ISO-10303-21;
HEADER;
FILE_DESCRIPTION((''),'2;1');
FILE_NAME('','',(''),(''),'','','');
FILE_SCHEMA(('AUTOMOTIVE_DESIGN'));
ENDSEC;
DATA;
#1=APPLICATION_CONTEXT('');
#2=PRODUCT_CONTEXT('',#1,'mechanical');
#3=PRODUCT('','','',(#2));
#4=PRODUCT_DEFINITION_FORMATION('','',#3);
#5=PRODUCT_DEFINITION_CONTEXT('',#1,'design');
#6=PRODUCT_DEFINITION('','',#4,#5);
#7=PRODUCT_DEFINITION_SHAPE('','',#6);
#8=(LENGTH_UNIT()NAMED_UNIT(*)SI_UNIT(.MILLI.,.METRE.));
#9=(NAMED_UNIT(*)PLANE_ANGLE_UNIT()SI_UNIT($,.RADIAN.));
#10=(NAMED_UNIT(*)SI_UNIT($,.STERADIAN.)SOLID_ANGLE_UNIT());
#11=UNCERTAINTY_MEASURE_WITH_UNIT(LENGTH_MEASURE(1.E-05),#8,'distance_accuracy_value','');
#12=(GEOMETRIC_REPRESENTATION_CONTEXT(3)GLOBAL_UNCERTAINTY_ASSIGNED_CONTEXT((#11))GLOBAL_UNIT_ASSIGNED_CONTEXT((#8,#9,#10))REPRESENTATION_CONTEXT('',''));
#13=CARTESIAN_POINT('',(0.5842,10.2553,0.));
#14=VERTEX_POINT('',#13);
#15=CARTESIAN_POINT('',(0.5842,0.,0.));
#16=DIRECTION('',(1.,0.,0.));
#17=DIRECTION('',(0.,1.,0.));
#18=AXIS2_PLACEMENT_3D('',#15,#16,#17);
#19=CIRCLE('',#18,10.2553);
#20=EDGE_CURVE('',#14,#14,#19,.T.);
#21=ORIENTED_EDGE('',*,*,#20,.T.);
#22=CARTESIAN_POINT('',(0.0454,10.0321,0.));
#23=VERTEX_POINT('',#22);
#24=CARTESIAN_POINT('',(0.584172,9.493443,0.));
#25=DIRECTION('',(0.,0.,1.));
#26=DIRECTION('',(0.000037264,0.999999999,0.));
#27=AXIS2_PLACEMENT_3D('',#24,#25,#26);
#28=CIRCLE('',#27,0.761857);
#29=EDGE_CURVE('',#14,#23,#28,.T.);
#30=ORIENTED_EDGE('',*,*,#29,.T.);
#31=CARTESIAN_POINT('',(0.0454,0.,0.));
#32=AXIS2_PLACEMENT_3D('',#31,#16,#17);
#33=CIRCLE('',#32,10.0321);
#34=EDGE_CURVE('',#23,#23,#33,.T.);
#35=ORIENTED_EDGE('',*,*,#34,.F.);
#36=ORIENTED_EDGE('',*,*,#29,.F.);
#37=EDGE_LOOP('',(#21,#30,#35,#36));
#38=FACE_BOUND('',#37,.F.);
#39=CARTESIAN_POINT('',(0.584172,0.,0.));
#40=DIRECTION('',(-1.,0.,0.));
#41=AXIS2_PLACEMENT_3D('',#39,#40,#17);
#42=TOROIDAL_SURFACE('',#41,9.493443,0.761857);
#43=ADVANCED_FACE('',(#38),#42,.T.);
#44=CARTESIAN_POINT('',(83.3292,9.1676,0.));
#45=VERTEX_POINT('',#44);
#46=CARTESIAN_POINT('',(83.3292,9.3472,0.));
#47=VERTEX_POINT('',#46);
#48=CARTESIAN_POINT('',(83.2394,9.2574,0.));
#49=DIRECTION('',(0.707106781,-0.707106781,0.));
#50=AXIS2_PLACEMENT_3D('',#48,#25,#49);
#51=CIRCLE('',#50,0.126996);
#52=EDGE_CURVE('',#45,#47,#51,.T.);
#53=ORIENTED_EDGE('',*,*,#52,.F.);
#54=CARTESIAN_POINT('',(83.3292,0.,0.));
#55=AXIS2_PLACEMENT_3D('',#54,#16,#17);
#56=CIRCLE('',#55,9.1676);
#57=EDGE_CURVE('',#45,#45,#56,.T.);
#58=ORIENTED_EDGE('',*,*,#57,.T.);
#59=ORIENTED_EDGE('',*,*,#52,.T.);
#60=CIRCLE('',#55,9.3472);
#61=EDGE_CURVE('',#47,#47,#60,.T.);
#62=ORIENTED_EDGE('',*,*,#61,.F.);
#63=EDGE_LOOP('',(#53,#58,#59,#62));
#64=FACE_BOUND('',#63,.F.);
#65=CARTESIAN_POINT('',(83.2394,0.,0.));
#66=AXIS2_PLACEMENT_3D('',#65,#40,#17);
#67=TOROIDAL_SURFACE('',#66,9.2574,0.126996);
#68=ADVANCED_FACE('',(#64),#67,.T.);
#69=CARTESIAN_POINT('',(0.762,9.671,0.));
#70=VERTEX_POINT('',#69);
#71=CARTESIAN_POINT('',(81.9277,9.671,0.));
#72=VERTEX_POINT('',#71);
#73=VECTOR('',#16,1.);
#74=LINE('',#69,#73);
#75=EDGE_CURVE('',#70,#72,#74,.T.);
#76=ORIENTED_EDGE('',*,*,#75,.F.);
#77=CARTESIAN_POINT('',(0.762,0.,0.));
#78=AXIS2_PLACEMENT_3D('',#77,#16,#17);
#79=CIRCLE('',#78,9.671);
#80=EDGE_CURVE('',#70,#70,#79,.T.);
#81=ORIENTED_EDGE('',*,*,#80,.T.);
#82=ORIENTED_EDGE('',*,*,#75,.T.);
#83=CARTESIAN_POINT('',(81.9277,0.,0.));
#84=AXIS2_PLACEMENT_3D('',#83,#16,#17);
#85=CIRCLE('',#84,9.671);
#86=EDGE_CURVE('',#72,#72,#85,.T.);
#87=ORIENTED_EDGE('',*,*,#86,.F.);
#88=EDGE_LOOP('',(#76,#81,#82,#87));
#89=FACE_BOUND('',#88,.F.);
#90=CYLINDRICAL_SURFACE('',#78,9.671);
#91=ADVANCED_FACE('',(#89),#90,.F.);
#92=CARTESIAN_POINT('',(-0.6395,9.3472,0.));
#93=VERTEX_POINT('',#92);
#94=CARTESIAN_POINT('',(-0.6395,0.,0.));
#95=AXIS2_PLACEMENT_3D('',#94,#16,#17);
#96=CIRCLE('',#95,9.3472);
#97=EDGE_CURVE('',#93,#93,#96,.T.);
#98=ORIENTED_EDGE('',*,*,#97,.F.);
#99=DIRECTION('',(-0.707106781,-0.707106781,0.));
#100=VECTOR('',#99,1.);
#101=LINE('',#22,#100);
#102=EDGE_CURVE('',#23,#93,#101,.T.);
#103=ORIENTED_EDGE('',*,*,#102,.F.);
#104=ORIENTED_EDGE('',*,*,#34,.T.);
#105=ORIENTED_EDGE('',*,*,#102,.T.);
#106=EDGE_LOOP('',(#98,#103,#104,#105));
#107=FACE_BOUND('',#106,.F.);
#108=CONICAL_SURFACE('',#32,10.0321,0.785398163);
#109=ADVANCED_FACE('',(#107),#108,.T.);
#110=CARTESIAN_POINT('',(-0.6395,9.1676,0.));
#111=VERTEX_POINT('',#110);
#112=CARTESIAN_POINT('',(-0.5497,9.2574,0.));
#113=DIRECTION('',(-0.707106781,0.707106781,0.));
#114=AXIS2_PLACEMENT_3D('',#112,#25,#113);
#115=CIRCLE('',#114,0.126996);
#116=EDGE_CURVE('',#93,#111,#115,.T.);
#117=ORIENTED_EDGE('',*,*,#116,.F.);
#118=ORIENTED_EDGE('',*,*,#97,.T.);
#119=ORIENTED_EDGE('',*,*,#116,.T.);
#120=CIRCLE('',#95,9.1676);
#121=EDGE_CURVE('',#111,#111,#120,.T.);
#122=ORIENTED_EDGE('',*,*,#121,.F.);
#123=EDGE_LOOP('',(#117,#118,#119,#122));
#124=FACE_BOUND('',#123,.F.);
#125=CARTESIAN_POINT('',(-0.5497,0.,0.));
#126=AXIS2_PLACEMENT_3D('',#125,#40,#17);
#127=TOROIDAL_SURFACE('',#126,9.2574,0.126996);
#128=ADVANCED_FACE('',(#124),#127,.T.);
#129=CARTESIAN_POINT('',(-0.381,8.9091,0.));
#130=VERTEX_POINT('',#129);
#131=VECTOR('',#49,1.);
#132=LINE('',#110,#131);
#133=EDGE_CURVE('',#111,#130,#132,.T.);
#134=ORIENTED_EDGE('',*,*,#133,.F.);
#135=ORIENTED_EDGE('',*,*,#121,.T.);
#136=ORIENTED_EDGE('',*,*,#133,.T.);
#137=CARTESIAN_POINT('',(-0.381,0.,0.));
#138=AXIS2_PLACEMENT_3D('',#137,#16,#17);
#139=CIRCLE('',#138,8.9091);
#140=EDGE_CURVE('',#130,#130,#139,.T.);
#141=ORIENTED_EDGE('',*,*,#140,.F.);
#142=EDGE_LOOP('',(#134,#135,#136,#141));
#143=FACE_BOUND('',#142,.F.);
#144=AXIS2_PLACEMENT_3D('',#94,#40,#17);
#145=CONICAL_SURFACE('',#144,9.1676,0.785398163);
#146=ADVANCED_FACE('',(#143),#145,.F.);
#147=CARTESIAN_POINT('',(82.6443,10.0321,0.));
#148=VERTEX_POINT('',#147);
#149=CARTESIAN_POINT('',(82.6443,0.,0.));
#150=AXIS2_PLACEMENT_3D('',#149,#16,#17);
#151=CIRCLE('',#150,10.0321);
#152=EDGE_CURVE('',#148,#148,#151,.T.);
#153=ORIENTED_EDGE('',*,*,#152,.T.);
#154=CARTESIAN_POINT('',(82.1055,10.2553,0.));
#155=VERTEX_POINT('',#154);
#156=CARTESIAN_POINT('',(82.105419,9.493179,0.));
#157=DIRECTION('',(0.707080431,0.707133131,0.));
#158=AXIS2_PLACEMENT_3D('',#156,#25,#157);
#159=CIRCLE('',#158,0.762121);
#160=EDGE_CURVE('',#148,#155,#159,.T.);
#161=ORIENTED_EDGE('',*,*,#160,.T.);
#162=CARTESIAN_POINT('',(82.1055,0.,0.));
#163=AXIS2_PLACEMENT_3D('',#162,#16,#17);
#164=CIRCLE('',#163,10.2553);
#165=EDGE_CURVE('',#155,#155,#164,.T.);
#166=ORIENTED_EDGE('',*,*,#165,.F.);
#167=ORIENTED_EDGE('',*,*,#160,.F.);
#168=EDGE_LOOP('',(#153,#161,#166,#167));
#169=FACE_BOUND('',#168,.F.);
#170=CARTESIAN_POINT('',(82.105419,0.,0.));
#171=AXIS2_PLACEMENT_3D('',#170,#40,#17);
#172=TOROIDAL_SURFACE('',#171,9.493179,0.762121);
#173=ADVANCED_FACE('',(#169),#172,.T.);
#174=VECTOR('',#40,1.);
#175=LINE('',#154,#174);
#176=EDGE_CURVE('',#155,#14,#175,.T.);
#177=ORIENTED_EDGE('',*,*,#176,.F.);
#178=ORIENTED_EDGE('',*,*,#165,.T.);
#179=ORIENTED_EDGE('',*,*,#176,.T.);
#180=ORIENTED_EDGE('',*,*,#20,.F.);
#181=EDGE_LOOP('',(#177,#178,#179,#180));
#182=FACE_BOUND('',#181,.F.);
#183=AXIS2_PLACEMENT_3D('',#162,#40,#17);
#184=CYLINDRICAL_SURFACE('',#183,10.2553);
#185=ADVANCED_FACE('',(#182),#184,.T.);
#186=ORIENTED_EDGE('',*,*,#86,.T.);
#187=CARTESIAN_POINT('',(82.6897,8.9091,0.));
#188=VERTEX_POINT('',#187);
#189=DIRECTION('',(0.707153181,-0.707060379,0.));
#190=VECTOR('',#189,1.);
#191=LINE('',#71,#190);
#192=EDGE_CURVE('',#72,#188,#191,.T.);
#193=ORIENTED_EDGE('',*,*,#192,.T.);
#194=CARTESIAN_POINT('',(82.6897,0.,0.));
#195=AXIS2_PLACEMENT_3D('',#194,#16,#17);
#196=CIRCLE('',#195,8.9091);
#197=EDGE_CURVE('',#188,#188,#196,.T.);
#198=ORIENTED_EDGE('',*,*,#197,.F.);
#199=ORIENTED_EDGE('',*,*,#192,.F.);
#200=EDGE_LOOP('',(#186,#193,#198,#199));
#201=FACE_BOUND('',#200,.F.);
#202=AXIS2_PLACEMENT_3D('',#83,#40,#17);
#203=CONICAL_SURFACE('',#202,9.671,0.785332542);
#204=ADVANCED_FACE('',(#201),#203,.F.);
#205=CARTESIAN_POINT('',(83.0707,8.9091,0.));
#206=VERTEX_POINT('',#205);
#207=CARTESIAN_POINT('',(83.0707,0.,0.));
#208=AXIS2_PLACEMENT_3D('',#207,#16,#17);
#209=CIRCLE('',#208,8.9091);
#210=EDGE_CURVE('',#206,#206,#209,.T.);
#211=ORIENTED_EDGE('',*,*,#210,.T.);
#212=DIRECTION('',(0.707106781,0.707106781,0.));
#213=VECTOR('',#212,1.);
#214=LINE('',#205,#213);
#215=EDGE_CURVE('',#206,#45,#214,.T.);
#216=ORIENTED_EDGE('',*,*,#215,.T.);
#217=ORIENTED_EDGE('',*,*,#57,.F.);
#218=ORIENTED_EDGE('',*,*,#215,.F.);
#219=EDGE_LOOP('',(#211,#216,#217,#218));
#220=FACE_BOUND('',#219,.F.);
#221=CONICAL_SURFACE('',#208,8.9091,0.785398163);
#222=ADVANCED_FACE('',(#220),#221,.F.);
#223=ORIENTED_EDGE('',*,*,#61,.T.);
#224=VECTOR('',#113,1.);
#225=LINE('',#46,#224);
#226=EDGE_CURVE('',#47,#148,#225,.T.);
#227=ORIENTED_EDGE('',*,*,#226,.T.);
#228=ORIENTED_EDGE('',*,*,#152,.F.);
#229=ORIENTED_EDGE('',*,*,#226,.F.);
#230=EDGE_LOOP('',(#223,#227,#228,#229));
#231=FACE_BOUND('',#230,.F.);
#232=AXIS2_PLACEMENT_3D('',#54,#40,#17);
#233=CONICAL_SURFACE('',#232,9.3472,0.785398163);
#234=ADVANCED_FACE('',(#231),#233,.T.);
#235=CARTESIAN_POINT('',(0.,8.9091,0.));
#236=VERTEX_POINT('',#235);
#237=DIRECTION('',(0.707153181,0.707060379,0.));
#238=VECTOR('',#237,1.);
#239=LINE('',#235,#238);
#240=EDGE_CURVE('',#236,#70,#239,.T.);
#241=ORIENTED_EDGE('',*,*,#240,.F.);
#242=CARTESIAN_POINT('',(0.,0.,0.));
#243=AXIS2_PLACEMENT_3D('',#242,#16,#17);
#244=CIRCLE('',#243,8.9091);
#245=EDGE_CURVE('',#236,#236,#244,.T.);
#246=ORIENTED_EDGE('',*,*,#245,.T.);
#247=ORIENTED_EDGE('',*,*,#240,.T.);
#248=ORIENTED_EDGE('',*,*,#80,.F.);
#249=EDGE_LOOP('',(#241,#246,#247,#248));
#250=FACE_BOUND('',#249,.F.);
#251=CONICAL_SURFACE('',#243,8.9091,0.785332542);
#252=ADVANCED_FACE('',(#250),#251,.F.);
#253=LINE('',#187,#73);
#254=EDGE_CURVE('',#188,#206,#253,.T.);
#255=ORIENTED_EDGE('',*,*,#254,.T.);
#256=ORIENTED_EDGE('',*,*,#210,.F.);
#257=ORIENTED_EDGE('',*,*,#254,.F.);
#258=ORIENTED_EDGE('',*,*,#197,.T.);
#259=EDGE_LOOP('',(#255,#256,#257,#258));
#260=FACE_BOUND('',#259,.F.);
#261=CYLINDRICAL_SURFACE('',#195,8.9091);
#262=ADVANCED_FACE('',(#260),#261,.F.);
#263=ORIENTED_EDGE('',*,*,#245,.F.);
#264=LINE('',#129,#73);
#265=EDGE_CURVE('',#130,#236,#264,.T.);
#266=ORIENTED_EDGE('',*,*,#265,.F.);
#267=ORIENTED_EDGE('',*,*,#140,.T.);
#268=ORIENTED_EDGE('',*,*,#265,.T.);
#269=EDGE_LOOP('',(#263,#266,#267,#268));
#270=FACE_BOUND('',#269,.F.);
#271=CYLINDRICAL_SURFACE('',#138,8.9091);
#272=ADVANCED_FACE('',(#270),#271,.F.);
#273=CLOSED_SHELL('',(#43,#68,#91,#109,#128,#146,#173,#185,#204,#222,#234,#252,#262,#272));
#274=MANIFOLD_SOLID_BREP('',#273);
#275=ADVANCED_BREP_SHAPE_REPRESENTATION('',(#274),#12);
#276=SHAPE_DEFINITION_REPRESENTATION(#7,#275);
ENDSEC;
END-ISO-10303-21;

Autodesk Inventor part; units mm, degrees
sketch "Sketch_1" plane through (0, 0, 0) normal (0, 0, 1) x (1, 0, 0)
  line L0 (82.6897, 0) -> (0, 0)
  arc A0 (-0.6395, 9.3472) -> (-0.6395, 9.1676) centre (-0.5497, 9.2574) ccw
  line L1 (-0.6395, 9.1676) -> (-0.381, 8.9091)
  line L2 (-0.381, 8.9091) -> (0, 8.9091)
  line L3 (0, 8.9091) -> (0.762, 9.671)
  line L4 (0.762, 9.671) -> (81.9277, 9.671)
  line L5 (81.9277, 9.671) -> (82.6897, 8.9091)
  line L6 (82.6897, 8.9091) -> (83.0707, 8.9091)
  line L7 (83.0707, 8.9091) -> (83.3292, 9.1676)
  arc A1 (83.3292, 9.1676) -> (83.3292, 9.3472) centre (83.2394, 9.2574) ccw
  line L8 (83.3292, 9.3472) -> (82.6443, 10.0321)
  arc A2 (82.6443, 10.0321) -> (82.1055, 10.2553) centre (82.1055, 9.4933) ccw
  line L9 (82.1055, 10.2553) -> (0.5842, 10.2553)
  arc A3 (0.5842, 10.2553) -> (0.0454, 10.0321) centre (0.5842, 9.4933) ccw
  line L10 (0.0454, 10.0321) -> (-0.6395, 9.3472)
revolve "Revolution1" add sketch "Sketch_1" angle 360 about axis through (82.6897, 0, 0) along (1, 0, 0)
ref_plane "cp1_XY" through (41.3448, 0, 10.2553) normal (1, 0, 0) x (0, 0, -1)
ref_plane "cp1_YZ" through (41.3448, 0, 10.2553) normal (0, 0, -1) x (0, 1, 0)
ref_plane "cp1_ZX" through (41.3448, 0, 10.2553) normal (0, 1, 0) x (1, 0, 0)
ref_plane "cp2_XY" through (41.3448, 10.2553, 0) normal (1, 0, 0) x (0, 0, -1)
ref_plane "cp2_YZ" through (41.3448, 10.2553, 0) normal (0, 0, -1) x (0, 1, 0)
ref_plane "cp2_ZX" through (41.3448, 10.2553, 0) normal (0, 1, 0) x (1, 0, 0)
ref_plane "cp3_XY" through (41.3448, 0, -10.2553) normal (1, 0, 0) x (0, 0, -1)
ref_plane "cp3_YZ" through (41.3448, 0, -10.2553) normal (0, 0, -1) x (0, 1, 0)
ref_plane "cp3_ZX" through (41.3448, 0, -10.2553) normal (0, 1, 0) x (1, 0, 0)
ref_plane "cp4_XY" through (41.3448, -10.2553, 0) normal (1, 0, 0) x (0, 0, -1)
ref_plane "cp4_YZ" through (41.3448, -10.2553, 0) normal (0, 0, -1) x (0, 1, 0)
ref_plane "cp4_ZX" through (41.3448, -10.2553, 0) normal (0, 1, 0) x (1, 0, 0)
ref_plane "tube_front_XY" through (0, 0, 0) normal (1, 0, 0) x (0, 0, -1)
ref_plane "tube_front_YZ" through (0, 0, 0) normal (0, 0, -1) x (0, 1, 0)
ref_plane "tube_front_ZX" through (0, 0, 0) normal (0, 1, 0) x (1, 0, 0)
ref_plane "tube_rear_XY" through (82.6897, 0, 0) normal (1, 0, 0) x (0, 0, -1)
ref_plane "tube_rear_YZ" through (82.6897, 0, 0) normal (0, 0, -1) x (0, 1, 0)
ref_plane "tube_rear_ZX" through (82.6897, 0, 0) normal (0, 1, 0) x (1, 0, 0)
properties part number "04R-3.25550SR"
